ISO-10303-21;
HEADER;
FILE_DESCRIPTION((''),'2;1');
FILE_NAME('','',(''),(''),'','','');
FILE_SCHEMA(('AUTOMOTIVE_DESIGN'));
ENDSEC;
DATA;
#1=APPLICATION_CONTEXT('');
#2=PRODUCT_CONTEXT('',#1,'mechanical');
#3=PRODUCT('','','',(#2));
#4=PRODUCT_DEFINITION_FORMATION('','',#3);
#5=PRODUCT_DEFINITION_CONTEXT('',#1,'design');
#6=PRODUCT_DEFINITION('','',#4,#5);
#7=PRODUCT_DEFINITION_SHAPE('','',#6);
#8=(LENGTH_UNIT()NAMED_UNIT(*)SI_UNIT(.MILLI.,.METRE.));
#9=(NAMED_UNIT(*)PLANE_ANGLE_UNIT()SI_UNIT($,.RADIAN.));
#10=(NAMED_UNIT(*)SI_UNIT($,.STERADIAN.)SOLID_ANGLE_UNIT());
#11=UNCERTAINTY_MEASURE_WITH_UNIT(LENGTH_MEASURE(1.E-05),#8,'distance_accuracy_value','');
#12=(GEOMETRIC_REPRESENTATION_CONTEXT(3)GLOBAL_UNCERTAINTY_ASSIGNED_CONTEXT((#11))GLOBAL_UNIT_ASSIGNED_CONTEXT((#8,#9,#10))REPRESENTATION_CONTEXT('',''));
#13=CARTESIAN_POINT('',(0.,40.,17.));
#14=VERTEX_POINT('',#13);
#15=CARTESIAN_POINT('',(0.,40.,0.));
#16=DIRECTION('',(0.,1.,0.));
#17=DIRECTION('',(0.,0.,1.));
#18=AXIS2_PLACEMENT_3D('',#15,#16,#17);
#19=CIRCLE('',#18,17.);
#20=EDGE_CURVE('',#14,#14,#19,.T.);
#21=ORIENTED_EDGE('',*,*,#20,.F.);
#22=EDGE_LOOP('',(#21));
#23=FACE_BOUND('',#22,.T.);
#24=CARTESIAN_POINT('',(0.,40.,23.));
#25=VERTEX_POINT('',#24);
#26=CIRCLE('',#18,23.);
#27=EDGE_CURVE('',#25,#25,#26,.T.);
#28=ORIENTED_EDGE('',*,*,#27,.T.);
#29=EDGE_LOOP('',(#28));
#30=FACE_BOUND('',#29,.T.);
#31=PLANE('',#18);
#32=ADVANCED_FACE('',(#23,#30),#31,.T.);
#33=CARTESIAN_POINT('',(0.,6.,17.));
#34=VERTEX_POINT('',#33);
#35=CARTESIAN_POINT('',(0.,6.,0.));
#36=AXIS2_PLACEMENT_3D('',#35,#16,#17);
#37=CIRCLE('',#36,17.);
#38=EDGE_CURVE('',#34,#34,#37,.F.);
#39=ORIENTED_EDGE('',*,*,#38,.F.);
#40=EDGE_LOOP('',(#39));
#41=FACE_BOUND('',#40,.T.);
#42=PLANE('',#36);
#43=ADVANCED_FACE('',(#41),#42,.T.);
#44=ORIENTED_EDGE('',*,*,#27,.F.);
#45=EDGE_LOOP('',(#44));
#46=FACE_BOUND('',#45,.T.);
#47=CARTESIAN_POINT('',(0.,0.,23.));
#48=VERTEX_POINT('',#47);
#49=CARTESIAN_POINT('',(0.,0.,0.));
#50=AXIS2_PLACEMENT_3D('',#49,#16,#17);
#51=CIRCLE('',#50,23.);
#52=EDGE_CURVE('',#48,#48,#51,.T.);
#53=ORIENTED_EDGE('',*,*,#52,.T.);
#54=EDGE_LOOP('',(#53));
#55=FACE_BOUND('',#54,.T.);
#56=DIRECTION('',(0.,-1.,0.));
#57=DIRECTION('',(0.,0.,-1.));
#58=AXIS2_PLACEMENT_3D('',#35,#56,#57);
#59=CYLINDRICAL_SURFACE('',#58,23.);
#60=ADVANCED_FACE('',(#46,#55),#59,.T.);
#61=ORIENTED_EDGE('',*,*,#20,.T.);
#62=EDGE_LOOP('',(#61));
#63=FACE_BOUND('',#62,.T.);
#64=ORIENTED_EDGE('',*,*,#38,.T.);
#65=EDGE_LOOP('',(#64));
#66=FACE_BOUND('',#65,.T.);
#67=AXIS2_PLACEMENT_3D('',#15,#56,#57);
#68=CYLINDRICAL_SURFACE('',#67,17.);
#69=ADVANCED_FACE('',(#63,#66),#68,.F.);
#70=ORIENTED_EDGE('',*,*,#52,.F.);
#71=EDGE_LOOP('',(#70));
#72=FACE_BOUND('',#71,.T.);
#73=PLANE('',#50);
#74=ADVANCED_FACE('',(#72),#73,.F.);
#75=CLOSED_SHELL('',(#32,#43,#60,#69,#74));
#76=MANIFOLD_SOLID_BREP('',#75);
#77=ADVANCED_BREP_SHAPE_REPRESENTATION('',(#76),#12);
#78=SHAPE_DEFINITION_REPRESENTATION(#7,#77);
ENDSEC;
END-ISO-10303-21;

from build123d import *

# Parameters (mm, degrees)
SKETCH_1_R      = 23
EXTRUDE_1_DEPTH = 6
SKETCH_2_R      = 23
SKETCH_2_R_2    = 17
EXTRUDE_2_DEPTH = 34


with BuildPart() as part:
    # Эскиз1 → Бобышка-Вытянуть1 (new body)
    with BuildSketch(Plane(origin=(0, 0, 0), x_dir=(1, 0, 0), z_dir=(0, 1, 0))):
        with Locations(Location((0, 0, 0), (0, 0, 270))):
            Circle(SKETCH_1_R)
    extrude(amount=EXTRUDE_1_DEPTH)

    # Эскиз2 → Бобышка-Вытянуть2 (add)
    with BuildSketch(Plane(origin=(0, 6, 0), x_dir=(1, 0, 0), z_dir=(0, 1, 0))):
        with Locations(Location((0, 0, 0), (0, 0, 270))):
            Circle(SKETCH_2_R)
        with Locations(Location((0, 0, 0), (0, 0, 270))):
            Circle(SKETCH_2_R_2, mode=Mode.SUBTRACT)
    extrude(amount=EXTRUDE_2_DEPTH)


solid = part.part
